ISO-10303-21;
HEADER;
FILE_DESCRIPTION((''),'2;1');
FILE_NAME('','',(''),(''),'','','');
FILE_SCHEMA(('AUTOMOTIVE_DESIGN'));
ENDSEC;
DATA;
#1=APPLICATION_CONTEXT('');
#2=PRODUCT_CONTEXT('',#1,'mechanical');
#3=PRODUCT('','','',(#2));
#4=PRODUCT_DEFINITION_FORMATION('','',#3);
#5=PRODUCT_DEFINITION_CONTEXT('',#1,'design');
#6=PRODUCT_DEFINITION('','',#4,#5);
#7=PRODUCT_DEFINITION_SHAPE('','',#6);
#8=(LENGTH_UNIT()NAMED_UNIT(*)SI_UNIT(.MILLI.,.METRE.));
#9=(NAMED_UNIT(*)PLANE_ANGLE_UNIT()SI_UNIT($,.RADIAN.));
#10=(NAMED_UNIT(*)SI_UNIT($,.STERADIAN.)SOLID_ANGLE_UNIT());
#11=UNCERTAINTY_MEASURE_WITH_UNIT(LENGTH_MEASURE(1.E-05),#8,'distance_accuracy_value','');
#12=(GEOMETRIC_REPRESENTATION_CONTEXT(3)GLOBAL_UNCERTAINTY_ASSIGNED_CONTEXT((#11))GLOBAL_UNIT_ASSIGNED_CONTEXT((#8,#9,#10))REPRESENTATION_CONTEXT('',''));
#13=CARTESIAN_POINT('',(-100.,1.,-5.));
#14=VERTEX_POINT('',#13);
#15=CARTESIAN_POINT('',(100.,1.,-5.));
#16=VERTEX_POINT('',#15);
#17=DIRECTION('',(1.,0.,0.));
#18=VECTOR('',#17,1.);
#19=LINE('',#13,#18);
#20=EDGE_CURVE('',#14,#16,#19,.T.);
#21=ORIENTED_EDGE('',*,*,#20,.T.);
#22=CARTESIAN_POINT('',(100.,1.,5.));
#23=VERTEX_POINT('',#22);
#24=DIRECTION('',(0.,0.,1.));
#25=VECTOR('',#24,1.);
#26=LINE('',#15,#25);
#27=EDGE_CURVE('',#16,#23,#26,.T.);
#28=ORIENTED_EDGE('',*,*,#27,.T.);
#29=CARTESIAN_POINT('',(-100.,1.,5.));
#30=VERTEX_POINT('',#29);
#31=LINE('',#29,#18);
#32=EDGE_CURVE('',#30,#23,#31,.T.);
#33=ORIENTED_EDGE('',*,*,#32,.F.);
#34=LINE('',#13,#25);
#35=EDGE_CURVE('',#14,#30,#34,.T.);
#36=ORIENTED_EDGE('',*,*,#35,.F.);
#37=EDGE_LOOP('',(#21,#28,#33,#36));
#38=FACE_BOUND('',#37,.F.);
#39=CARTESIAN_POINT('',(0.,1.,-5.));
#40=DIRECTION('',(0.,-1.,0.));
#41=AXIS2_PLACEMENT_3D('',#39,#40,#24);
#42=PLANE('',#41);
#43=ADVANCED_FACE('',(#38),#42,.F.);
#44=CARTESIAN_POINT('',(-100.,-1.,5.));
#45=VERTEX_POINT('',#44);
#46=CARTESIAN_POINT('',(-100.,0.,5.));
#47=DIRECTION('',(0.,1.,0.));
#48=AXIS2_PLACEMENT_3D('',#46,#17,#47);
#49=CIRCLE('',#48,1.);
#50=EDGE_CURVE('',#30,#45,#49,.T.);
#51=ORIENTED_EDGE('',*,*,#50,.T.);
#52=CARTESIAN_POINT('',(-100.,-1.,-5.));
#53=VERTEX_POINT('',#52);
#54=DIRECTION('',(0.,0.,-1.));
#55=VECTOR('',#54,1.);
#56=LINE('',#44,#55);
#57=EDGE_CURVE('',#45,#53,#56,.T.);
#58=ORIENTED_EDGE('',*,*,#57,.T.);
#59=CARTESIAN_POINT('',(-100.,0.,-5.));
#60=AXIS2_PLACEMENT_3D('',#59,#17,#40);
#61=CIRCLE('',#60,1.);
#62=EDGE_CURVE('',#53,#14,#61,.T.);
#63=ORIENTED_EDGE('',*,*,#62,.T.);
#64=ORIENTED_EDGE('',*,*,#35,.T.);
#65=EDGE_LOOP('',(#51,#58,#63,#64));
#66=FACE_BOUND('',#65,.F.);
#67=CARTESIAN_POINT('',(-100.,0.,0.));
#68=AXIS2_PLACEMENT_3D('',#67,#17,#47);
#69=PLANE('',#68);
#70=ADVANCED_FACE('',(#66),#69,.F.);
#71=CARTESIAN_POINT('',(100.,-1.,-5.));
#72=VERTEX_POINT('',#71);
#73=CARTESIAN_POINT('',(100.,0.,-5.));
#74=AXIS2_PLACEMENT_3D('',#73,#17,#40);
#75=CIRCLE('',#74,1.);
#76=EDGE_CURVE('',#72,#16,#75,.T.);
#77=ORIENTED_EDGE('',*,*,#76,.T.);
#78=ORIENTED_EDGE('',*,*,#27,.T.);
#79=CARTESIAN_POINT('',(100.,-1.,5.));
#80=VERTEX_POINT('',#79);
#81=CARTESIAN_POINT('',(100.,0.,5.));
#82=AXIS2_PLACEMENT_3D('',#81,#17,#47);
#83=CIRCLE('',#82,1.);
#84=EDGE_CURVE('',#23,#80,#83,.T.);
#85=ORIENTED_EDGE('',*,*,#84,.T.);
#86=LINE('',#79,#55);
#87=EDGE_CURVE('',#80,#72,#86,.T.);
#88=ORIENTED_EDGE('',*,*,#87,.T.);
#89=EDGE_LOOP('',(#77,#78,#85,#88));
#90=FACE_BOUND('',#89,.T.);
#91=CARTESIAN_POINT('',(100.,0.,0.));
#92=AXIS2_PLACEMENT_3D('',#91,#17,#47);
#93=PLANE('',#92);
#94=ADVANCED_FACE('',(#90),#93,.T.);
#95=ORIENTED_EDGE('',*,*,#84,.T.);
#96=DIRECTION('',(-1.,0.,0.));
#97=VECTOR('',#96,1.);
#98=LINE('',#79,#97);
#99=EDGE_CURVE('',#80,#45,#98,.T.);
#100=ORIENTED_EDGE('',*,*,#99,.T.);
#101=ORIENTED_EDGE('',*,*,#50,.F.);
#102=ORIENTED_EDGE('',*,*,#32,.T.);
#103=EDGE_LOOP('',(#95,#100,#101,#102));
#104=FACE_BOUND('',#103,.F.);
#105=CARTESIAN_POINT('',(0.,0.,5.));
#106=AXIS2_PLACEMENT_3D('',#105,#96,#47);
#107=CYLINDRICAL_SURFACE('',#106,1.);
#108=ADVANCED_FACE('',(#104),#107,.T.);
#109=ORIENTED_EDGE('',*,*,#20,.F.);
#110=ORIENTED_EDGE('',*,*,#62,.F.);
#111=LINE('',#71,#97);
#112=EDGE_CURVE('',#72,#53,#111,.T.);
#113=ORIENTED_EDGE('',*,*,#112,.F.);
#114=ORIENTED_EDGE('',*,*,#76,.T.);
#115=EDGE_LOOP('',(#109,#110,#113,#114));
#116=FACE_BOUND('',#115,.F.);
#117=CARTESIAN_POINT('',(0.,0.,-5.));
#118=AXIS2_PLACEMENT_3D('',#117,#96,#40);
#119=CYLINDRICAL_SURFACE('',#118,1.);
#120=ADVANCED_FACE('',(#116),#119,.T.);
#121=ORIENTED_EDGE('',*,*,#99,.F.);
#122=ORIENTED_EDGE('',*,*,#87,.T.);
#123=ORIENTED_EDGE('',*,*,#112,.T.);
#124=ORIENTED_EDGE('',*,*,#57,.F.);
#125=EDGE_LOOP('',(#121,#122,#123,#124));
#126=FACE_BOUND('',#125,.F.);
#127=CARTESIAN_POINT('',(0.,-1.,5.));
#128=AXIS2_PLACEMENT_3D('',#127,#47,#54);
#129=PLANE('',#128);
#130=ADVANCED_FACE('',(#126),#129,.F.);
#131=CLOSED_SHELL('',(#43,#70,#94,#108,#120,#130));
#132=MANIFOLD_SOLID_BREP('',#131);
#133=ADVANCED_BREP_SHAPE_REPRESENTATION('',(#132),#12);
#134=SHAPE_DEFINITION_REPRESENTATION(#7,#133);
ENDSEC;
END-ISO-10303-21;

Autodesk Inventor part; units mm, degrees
ref_plane "YZ Plane" through (0, 0, 0) normal (1, 0, 0) x (0, 1, 0)
ref_plane "XZ Plane" through (0, 0, 0) normal (0, 1, 0) x (-1, 0, 0)
ref_plane "XY Plane" through (0, 0, 0) normal (0, 0, 1) x (1, 0, 0)
sketch "Sketch2" plane through (0, 0, 0) normal (1, 0, 0) x (0, 1, 0)
  line L0 (0, -5) -> (0, 5) construction
  line L1 (1, -5) -> (1, 5)
  line L2 (-1, 5) -> (-1, -5)
  arc A0 (-1, -5) -> (1, -5) centre (0, -5) ccw
  arc A1 (1, 5) -> (-1, 5) centre (0, 5) ccw
  point P0 (0, 0)
  point P1 (0, -6)
  point P2 (0, 6)
  dimension "d1" = 2
  dimension "d2" = 12
extrude "Extrusion1" add sketch "Sketch2" along normal mid plane 200
properties part number "CFSTRIP-2-12-2"
